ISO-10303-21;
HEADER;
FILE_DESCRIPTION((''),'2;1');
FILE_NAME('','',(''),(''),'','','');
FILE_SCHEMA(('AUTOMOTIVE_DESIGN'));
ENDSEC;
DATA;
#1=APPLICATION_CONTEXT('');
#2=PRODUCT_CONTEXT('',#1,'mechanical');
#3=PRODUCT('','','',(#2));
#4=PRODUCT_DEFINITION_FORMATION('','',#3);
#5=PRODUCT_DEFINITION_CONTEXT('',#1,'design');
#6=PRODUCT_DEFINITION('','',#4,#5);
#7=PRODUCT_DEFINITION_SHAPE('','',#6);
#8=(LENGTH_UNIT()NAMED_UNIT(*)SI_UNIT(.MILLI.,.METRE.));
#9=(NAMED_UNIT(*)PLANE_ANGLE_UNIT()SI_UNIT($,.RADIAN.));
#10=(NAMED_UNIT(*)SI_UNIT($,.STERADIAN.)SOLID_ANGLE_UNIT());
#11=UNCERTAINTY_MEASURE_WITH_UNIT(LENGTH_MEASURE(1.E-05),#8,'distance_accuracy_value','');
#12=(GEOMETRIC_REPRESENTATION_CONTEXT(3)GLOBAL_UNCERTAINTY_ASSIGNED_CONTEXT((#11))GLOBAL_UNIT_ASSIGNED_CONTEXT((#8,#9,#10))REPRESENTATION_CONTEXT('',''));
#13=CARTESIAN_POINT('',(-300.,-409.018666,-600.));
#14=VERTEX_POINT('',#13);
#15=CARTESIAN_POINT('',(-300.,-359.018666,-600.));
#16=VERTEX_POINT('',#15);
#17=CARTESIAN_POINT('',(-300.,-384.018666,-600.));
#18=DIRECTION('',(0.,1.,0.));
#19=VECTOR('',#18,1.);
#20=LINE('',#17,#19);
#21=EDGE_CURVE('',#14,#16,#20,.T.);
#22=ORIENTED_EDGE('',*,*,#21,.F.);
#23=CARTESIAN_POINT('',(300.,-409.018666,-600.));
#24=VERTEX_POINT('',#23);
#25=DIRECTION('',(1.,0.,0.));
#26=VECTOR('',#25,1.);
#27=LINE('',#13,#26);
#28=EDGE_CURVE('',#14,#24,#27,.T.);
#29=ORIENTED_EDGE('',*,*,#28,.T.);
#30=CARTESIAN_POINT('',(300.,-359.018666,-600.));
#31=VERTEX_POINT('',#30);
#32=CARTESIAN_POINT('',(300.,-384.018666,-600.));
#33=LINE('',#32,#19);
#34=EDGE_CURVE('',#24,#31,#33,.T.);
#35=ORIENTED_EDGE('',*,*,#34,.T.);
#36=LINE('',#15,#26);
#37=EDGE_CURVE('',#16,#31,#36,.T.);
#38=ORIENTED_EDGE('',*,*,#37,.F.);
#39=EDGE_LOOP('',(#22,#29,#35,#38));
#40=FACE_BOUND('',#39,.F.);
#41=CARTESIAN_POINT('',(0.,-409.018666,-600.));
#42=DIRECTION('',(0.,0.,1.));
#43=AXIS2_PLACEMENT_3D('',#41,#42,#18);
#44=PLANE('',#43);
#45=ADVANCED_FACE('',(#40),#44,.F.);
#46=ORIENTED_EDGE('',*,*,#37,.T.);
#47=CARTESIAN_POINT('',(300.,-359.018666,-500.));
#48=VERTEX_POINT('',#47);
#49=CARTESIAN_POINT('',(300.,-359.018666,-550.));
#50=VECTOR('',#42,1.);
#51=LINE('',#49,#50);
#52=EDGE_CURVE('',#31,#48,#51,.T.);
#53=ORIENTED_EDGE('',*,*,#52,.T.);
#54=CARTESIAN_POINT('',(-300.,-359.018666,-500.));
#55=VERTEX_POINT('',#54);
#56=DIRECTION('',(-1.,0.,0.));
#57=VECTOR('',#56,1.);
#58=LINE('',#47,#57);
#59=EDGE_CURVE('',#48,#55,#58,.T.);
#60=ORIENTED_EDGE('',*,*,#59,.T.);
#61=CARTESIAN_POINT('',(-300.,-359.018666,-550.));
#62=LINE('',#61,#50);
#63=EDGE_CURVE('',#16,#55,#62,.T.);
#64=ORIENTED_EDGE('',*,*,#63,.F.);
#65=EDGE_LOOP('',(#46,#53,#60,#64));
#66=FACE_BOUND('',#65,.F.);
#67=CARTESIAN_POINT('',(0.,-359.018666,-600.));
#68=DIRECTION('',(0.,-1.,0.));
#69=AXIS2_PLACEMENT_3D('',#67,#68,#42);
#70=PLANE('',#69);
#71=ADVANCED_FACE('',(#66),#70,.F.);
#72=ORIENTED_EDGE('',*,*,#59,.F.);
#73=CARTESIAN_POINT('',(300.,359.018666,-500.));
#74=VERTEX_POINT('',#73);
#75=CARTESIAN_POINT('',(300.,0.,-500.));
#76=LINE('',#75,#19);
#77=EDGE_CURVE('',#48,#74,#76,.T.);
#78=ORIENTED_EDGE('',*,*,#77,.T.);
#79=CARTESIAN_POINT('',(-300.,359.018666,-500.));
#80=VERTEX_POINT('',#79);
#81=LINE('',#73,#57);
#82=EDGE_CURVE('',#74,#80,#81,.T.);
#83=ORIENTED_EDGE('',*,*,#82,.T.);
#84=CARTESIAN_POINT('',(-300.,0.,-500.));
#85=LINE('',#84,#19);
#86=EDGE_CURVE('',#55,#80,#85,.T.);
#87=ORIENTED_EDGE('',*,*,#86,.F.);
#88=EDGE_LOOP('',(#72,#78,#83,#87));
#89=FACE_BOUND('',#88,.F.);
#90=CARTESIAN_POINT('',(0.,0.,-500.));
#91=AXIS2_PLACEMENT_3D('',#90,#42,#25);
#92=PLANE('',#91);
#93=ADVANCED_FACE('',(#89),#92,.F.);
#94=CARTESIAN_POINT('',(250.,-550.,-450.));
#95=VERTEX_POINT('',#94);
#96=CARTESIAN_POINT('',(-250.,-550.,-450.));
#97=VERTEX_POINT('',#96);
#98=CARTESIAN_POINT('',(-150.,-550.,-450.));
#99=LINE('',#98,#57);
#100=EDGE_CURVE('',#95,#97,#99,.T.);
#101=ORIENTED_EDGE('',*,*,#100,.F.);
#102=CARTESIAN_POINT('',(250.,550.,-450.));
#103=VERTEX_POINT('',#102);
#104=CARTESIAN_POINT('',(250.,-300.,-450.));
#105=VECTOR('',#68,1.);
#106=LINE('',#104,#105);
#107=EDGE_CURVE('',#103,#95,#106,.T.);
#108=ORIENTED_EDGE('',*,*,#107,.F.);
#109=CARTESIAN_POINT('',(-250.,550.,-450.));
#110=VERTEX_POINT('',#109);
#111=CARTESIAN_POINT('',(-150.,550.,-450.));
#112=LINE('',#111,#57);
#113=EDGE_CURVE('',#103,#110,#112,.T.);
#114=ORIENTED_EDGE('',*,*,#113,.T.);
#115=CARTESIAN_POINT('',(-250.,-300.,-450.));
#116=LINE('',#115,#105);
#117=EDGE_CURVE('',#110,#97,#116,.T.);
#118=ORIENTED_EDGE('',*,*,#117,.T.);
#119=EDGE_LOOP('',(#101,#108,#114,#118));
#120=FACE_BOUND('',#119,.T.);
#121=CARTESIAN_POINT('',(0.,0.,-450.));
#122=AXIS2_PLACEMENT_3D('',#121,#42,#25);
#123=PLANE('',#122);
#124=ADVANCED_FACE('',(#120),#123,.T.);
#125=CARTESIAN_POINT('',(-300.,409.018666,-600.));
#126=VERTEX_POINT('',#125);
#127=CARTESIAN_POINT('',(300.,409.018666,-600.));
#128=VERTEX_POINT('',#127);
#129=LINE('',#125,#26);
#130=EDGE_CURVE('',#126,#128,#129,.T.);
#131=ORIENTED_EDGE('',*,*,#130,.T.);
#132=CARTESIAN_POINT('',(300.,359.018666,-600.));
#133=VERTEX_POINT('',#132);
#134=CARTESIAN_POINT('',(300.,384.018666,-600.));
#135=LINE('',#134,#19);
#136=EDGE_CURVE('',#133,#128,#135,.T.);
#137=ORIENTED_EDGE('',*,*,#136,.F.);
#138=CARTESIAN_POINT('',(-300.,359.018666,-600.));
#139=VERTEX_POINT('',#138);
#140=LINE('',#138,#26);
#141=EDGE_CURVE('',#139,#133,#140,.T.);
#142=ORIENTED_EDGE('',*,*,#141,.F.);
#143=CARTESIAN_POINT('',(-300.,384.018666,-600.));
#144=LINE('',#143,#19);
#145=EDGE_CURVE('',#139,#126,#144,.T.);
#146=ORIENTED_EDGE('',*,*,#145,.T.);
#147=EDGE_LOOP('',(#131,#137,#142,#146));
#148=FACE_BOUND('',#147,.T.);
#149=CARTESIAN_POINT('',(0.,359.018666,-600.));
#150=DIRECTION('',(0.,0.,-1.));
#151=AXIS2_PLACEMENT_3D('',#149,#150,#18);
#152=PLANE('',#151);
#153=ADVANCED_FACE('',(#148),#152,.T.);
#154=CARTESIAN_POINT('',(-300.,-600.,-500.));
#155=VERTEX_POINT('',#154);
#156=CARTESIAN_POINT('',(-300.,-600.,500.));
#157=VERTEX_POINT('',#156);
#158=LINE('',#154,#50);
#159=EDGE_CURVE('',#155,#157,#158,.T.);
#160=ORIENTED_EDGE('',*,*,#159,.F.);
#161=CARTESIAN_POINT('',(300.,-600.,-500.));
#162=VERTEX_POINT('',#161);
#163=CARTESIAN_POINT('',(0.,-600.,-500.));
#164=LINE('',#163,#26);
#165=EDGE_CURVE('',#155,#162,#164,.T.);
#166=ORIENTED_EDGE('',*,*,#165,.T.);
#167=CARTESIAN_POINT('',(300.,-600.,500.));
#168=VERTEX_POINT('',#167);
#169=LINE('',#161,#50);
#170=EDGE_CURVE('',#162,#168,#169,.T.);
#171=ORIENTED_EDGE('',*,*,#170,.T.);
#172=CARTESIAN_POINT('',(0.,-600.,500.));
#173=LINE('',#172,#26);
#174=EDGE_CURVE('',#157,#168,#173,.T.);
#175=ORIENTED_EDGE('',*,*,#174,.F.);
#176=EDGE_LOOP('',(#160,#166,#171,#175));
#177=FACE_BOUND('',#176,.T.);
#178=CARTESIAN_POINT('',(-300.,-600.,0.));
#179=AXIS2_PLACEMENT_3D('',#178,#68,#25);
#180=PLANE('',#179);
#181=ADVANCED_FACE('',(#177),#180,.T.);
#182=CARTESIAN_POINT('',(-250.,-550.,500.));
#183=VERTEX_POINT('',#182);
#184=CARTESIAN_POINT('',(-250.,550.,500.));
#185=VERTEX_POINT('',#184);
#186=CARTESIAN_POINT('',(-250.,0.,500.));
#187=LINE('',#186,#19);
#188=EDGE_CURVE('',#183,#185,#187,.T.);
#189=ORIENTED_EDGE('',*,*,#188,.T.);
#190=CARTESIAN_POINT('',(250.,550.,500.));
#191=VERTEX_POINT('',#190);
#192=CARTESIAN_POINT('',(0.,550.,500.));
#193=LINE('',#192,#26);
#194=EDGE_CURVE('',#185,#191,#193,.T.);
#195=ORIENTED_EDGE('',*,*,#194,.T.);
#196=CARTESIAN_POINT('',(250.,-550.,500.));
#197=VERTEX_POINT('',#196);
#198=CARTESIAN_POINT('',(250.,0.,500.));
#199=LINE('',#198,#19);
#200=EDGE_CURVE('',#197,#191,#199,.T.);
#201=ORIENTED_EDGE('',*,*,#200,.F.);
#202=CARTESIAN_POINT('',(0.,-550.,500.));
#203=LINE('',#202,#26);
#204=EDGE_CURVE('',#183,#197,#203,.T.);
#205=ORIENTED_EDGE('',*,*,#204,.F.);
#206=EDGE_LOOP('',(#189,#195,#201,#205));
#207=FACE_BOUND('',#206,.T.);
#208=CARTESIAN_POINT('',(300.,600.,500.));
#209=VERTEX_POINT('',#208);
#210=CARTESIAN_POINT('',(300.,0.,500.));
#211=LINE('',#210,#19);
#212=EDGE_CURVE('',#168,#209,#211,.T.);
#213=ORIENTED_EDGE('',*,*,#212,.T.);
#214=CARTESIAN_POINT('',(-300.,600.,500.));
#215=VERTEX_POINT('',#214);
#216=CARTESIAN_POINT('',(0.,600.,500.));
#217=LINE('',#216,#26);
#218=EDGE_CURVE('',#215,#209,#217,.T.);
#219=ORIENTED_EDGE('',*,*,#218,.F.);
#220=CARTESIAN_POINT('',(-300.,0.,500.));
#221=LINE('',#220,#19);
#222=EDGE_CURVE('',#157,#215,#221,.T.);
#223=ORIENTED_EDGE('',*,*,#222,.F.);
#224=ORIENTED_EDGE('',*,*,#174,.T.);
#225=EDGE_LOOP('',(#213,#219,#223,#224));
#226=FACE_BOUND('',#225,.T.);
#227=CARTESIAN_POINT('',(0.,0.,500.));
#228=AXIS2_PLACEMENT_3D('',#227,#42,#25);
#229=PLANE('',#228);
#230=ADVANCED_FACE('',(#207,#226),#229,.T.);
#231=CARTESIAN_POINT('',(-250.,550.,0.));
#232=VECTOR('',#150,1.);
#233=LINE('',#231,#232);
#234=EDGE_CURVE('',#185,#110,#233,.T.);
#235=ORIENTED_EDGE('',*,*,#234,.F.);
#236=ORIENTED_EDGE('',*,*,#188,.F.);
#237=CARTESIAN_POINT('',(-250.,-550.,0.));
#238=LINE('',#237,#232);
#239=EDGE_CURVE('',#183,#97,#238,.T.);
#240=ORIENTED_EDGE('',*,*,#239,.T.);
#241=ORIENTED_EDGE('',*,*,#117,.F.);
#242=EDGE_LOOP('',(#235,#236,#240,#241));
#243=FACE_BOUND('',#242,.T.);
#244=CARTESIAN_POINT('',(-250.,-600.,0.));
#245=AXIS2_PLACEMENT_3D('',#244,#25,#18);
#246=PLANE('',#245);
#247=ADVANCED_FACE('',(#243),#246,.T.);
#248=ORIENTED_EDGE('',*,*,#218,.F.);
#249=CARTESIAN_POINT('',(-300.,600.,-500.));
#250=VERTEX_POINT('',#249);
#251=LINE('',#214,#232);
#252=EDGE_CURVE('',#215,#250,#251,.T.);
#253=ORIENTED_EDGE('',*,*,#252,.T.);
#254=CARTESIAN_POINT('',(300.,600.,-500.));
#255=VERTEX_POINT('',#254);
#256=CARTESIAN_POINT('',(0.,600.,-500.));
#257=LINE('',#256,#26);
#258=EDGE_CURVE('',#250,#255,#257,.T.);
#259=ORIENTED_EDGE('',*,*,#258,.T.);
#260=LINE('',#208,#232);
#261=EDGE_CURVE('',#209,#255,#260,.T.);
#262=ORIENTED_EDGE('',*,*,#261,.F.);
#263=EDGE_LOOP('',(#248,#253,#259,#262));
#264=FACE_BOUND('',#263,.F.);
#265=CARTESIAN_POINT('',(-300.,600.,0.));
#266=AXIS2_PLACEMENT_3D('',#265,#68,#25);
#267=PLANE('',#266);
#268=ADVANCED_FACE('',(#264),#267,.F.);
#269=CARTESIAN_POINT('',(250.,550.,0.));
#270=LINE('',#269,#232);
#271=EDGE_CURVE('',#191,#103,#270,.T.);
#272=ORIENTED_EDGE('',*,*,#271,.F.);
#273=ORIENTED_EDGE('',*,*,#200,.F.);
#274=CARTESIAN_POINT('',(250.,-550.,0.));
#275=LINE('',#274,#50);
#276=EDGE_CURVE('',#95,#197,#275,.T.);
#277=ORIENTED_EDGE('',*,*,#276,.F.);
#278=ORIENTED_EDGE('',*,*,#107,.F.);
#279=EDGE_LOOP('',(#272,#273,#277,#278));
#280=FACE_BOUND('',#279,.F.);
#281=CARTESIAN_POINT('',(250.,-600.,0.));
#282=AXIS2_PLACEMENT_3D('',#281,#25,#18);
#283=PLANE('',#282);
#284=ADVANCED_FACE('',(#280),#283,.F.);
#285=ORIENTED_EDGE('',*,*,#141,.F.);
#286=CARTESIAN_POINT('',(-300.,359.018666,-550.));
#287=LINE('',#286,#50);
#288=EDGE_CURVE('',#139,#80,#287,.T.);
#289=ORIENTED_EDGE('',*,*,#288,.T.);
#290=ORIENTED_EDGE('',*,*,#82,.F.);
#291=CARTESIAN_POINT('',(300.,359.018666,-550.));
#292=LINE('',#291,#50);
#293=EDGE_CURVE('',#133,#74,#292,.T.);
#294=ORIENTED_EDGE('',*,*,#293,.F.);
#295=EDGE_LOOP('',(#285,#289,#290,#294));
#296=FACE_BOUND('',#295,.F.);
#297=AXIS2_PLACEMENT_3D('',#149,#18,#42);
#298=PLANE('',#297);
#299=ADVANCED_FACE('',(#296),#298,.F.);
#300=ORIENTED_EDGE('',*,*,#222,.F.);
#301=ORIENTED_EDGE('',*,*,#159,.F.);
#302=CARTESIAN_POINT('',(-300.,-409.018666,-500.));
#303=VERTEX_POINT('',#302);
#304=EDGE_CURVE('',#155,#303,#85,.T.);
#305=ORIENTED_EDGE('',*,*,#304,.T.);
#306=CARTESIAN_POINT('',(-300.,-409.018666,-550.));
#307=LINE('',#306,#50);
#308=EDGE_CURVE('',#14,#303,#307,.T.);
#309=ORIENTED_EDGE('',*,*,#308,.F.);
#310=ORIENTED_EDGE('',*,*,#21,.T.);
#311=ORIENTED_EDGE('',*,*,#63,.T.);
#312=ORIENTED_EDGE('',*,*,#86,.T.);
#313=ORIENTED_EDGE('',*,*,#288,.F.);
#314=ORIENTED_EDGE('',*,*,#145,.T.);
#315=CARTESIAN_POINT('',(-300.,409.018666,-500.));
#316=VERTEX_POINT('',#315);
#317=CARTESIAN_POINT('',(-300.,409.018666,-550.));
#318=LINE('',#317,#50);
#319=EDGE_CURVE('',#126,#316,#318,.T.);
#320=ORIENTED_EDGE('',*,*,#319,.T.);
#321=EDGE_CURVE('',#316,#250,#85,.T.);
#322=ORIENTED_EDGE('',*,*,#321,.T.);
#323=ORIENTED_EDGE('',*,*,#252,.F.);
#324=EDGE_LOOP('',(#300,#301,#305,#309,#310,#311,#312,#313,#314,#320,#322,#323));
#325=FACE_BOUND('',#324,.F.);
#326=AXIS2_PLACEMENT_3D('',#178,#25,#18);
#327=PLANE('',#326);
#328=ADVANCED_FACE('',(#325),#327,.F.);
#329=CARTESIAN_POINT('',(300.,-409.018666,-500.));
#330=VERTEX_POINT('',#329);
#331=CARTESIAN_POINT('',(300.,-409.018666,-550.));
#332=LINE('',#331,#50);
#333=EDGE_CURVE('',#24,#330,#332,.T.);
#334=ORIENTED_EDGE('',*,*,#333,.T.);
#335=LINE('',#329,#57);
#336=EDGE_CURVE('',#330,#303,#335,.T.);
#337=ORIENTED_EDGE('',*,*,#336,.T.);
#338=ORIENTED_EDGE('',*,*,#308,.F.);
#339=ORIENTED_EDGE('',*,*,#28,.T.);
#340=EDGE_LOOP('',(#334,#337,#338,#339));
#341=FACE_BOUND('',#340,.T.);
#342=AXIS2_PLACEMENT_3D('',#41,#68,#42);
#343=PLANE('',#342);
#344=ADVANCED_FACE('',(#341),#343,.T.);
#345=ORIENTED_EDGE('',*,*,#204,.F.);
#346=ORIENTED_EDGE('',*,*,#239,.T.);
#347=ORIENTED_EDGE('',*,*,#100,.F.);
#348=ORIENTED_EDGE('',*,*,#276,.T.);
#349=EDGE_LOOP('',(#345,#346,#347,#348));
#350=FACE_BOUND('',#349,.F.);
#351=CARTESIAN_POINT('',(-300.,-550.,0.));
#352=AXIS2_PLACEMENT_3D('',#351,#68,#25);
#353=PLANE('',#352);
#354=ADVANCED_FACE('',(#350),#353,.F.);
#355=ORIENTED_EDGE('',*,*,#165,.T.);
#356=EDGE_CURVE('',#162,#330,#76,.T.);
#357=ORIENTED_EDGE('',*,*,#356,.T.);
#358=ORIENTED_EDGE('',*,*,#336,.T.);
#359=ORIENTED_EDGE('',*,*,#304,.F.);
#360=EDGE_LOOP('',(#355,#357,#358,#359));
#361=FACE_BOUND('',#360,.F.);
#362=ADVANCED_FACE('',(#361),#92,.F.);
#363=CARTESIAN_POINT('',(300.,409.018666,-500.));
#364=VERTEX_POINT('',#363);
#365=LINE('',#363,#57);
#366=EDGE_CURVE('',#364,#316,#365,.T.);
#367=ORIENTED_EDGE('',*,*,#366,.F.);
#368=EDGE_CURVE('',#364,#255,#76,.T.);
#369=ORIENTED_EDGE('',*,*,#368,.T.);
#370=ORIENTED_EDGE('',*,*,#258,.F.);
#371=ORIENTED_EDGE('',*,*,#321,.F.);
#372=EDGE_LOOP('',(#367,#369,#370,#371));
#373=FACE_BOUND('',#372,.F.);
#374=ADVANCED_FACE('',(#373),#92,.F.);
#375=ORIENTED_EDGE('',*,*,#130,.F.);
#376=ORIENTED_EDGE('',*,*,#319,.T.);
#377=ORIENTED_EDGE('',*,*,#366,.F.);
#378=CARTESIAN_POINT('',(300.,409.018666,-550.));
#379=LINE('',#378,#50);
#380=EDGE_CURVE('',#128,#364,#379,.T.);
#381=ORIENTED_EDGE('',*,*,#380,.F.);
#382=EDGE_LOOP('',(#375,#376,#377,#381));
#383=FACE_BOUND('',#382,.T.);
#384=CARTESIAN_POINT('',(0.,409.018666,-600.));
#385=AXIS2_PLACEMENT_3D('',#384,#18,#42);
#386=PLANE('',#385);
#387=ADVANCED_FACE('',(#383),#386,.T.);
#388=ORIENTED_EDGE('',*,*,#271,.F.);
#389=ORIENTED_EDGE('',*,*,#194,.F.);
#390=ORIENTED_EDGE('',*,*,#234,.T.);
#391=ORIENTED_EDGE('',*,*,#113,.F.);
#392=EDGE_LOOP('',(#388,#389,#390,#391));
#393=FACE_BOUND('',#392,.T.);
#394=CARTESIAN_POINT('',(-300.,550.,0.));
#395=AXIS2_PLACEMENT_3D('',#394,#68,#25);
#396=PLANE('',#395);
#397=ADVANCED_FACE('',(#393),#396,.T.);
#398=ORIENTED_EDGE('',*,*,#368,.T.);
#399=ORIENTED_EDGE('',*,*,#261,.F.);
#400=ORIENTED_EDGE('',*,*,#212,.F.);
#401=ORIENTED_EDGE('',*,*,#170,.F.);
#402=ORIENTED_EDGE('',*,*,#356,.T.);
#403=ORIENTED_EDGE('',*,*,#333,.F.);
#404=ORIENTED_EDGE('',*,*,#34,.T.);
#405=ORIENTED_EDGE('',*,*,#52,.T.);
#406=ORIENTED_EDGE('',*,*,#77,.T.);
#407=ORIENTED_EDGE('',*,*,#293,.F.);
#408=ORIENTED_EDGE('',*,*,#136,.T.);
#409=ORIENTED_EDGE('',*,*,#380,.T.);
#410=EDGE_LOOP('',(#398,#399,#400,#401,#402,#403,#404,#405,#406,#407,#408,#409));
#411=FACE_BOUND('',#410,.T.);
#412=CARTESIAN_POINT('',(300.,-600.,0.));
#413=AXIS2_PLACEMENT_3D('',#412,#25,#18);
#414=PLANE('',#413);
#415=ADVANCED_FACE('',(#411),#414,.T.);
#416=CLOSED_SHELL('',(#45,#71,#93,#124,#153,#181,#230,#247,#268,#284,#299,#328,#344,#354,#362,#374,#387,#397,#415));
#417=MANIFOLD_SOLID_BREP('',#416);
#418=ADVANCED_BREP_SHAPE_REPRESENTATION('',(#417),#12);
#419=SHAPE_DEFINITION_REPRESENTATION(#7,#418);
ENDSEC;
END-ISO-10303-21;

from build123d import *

# Parameters (mm, degrees)
F0_W     = 600
F0_H     = 1200
F1_DEPTH = 500
F2_T     = -50
F3_W     = 50
F3_H     = 100
F4_DEPTH = 300


with BuildPart() as f1:
    # F0 (on Top) → F1 (new body, symmetric)
    with BuildSketch(Plane.XY):
        Rectangle(F0_W, F0_H)
    extrude(amount=F1_DEPTH, both=True)

    # F2
    f2_openings = [f1.faces().sort_by_distance(p)[0] for p in [
        (0, 0, 500),
    ]]
    offset(amount=F2_T, openings=f2_openings)

    # F3 (on Right) → F4 (join, symmetric)
    with BuildSketch(Plane.YZ):
        with Locations((-384.018666, -550)):
            Rectangle(F3_W, F3_H)
        with Locations((384.018666, -550)):
            Rectangle(F3_W, F3_H)
    extrude(amount=F4_DEPTH, both=True)


solid = f1.part
